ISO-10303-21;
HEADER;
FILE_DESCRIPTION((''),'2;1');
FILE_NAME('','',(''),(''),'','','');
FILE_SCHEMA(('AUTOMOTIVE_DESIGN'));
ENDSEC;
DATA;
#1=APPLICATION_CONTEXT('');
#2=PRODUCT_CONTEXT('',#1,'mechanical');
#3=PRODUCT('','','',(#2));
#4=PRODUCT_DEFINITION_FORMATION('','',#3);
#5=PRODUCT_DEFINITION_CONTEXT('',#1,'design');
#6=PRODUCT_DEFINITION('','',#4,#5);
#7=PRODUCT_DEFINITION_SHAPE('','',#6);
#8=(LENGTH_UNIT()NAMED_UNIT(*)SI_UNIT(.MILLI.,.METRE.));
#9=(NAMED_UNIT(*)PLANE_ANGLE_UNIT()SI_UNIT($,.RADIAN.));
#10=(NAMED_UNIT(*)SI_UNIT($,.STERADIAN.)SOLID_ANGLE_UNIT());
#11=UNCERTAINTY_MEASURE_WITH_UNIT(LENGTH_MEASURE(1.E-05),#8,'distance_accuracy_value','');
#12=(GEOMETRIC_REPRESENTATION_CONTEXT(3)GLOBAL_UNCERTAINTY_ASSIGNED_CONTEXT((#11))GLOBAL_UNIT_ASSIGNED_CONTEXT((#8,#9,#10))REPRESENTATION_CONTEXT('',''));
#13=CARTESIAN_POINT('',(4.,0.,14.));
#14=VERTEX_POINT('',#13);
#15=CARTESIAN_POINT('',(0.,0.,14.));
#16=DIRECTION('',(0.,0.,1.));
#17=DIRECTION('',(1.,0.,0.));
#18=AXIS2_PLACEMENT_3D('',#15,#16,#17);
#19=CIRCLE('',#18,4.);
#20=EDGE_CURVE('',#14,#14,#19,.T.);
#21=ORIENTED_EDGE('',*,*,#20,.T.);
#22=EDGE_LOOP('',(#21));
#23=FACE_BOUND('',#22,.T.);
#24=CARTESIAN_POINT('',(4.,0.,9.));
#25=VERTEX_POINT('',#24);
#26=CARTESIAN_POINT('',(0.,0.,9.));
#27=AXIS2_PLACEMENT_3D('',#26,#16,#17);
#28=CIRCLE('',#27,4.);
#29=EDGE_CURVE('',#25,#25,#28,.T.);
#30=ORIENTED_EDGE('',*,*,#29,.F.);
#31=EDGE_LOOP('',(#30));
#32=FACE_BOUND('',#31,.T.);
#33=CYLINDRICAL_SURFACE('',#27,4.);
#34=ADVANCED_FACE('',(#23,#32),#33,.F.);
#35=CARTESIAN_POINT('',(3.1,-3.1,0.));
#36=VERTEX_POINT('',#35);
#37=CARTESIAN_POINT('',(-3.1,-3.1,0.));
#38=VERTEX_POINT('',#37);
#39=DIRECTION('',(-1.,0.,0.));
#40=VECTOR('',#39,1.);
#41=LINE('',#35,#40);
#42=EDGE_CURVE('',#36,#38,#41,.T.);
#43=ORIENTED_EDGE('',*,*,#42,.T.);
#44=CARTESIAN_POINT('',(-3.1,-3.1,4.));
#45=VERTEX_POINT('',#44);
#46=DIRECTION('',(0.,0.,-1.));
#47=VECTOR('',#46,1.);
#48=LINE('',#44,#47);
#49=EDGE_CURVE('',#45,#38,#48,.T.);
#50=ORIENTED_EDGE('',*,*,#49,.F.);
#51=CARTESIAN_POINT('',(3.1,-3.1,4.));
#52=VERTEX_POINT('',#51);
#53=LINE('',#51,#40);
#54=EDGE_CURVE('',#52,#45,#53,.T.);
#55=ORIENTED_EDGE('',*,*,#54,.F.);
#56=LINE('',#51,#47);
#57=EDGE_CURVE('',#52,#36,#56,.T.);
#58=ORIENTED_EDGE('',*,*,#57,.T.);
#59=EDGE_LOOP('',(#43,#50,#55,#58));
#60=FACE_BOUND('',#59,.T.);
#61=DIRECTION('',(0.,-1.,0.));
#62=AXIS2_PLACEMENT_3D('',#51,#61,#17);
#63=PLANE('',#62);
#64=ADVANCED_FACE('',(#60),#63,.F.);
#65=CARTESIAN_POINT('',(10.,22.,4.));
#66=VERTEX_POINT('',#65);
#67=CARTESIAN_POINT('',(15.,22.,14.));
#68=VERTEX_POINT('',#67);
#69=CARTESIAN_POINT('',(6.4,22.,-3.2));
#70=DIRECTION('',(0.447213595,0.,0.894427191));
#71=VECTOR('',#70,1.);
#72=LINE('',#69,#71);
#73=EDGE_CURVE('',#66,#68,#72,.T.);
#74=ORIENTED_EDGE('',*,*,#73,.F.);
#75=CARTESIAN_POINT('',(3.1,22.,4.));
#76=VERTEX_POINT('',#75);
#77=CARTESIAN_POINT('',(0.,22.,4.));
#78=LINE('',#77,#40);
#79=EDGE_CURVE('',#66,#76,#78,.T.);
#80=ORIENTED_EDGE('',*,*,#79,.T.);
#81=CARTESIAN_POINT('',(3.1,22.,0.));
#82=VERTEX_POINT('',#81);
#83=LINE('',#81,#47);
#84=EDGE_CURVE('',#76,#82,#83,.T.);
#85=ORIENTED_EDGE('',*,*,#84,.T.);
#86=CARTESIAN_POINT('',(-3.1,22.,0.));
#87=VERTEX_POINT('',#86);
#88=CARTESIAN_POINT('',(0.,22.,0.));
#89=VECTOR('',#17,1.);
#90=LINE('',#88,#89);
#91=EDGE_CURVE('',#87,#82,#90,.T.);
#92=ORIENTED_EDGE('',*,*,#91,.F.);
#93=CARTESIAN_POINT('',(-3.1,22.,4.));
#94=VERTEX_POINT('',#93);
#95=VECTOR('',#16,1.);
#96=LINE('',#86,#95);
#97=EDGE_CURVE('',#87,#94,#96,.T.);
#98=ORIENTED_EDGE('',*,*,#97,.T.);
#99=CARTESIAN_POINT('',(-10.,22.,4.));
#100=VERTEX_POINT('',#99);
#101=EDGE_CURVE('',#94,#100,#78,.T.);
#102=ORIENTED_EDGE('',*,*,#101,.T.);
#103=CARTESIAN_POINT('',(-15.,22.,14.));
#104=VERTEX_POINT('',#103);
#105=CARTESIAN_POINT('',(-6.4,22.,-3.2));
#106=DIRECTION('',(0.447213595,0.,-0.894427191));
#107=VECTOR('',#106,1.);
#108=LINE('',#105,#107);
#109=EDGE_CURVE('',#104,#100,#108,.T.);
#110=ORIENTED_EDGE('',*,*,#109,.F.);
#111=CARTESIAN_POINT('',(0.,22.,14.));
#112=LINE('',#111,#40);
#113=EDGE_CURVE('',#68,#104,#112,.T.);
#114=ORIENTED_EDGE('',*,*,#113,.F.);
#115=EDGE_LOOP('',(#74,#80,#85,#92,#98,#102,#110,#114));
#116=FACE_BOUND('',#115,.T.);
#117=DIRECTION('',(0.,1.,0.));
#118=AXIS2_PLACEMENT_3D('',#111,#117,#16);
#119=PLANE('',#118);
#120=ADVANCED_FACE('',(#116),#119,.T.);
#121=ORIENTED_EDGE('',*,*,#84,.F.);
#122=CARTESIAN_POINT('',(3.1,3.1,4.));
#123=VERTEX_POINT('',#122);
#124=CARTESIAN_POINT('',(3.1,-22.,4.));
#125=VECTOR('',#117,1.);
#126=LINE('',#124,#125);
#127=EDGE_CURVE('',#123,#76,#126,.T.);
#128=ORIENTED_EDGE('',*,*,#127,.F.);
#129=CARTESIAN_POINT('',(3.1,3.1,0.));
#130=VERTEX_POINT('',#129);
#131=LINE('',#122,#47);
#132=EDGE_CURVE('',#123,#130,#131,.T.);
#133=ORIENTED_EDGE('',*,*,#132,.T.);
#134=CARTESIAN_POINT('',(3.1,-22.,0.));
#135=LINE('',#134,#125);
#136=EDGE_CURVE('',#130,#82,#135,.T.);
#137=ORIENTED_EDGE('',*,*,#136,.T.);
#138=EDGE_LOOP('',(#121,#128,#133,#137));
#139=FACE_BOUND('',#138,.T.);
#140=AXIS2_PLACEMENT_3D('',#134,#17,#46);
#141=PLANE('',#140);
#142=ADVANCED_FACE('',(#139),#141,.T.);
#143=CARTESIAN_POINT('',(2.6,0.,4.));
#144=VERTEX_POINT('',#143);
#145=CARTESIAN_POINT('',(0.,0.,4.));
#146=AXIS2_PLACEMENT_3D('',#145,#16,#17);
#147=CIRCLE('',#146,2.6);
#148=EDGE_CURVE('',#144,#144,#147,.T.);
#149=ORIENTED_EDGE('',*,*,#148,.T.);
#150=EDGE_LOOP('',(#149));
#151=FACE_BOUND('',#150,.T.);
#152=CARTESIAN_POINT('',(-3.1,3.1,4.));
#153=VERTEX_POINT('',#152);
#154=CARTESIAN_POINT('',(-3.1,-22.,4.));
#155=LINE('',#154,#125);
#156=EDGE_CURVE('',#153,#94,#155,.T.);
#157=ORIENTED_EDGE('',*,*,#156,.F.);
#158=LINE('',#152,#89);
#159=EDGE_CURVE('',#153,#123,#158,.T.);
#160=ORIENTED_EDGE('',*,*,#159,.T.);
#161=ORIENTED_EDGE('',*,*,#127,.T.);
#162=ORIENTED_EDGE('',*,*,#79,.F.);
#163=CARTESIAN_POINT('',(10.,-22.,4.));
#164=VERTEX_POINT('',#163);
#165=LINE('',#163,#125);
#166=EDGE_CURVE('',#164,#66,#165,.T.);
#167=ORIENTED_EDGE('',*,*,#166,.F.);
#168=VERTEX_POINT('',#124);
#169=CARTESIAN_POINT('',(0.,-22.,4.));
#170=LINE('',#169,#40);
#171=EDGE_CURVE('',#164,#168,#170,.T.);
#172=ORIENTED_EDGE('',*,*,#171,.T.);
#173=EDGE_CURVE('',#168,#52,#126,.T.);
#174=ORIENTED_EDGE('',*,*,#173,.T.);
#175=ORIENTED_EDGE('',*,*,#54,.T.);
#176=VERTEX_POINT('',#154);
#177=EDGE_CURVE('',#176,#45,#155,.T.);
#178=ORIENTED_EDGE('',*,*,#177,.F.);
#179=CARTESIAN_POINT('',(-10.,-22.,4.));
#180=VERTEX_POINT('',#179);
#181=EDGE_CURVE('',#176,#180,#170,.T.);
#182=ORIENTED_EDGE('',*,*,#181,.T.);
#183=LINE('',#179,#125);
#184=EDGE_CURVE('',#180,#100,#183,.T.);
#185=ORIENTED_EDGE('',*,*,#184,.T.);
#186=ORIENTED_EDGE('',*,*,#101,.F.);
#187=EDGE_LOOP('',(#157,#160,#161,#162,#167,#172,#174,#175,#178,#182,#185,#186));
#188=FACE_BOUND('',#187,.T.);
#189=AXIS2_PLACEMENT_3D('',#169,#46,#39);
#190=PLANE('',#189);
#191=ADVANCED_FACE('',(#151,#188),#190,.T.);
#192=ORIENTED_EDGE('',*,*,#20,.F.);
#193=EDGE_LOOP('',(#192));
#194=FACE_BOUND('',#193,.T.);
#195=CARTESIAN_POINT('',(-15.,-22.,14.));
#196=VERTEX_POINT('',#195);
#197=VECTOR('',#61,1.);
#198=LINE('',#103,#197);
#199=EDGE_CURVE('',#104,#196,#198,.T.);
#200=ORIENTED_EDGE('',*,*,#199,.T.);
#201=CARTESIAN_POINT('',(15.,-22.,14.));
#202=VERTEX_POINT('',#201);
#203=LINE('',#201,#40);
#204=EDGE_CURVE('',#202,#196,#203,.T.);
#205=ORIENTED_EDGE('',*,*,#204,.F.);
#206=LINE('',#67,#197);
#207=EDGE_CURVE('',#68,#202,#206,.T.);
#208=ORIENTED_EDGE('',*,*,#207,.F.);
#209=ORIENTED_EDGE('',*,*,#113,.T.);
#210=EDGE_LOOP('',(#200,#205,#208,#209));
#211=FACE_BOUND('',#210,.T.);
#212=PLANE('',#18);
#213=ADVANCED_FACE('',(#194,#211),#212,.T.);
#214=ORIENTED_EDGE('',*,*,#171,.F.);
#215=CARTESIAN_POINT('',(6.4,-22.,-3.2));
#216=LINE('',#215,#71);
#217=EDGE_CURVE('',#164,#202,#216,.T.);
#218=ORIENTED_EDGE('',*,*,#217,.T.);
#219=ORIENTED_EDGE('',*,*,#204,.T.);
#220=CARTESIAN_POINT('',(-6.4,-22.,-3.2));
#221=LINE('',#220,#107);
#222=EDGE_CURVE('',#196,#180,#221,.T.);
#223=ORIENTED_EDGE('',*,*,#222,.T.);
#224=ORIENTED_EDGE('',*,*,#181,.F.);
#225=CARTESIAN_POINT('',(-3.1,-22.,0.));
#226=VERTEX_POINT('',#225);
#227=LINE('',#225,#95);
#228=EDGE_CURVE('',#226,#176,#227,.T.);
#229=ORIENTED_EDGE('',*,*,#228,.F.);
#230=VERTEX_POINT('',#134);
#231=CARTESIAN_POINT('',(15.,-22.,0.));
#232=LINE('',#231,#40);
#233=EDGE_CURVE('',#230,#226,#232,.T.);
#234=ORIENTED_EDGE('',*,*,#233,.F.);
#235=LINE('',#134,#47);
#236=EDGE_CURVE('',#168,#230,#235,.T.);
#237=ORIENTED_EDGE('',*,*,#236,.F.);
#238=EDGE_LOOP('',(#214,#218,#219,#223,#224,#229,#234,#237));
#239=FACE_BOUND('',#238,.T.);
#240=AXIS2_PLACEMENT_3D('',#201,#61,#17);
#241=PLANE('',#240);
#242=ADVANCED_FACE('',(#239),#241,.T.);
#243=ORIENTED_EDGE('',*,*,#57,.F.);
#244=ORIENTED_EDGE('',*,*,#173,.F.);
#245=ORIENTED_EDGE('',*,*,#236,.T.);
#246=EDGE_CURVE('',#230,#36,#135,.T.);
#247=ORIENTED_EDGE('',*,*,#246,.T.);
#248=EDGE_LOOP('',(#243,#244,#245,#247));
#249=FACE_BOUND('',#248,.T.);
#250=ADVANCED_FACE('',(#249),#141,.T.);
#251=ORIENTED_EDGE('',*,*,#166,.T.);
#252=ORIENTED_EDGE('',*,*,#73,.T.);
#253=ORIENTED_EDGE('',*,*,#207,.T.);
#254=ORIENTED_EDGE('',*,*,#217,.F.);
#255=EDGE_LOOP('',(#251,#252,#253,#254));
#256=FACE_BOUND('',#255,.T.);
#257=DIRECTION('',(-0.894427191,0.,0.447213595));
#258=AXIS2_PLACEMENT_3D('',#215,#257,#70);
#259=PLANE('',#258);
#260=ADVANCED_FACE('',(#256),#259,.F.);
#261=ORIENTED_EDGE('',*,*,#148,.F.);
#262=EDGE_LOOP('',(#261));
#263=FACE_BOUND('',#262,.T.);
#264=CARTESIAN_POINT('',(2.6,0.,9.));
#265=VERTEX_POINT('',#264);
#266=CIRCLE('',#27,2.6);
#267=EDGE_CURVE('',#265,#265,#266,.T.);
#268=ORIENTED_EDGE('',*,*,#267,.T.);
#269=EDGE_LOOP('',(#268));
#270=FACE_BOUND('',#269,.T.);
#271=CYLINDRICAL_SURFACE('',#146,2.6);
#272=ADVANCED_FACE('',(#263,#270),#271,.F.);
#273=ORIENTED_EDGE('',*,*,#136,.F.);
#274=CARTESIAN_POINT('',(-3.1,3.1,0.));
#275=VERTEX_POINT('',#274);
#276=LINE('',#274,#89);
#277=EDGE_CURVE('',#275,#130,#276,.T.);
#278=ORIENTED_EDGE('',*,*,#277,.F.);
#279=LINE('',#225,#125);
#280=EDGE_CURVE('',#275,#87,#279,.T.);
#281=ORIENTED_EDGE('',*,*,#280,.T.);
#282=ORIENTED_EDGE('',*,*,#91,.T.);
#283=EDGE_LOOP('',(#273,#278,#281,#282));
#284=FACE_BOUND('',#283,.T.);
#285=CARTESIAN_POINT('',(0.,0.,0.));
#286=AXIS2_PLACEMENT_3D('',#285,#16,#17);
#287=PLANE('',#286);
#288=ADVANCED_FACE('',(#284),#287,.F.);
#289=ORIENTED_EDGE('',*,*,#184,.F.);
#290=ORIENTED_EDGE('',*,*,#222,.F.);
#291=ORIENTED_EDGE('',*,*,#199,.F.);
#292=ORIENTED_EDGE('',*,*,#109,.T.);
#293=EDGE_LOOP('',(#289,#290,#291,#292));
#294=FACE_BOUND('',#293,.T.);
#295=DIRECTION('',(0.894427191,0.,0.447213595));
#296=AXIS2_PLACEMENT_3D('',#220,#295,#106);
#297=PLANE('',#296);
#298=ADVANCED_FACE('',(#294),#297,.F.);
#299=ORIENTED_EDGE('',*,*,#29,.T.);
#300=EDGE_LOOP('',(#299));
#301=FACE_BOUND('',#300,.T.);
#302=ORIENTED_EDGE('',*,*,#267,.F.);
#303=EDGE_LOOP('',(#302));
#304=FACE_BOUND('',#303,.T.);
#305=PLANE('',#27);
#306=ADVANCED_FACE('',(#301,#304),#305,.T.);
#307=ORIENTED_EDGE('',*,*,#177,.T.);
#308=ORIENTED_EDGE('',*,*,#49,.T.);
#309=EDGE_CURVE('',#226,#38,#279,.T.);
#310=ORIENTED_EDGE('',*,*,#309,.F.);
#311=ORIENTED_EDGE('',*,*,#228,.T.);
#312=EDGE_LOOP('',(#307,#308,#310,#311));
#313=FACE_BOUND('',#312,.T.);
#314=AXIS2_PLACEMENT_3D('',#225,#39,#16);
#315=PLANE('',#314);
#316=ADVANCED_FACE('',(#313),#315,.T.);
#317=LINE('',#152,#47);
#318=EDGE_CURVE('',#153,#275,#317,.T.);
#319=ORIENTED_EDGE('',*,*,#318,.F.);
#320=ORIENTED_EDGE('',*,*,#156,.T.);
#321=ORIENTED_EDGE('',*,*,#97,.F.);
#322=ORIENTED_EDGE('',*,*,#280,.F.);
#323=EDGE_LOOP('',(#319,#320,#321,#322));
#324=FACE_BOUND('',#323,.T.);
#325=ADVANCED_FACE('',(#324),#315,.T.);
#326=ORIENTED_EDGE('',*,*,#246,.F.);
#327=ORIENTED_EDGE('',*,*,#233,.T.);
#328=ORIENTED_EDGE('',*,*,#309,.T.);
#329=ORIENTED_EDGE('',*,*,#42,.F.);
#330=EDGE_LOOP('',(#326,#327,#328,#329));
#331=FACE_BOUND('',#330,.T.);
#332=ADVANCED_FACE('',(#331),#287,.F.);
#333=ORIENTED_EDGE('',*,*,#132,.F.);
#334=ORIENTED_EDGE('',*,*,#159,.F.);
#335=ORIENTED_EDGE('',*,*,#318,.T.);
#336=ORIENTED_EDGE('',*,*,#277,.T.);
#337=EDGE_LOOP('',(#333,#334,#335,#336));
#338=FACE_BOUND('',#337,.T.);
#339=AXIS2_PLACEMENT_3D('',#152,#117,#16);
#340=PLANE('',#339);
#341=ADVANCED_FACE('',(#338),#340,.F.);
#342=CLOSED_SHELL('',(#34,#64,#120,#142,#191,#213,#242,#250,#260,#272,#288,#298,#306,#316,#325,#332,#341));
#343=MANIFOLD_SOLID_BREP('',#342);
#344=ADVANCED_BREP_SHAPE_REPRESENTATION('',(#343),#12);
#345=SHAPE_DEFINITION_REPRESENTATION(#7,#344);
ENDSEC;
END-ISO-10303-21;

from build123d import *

# Parameters (mm, degrees)
EXTRUDE_1_DEPTH     = 14
CUT_EXTRUDE_1_DEPTH = 44
SKETCH_3_W          = 6.2
SKETCH_3_H          = 6.2
CUT_EXTRUDE_2_DEPTH = 4
SKETCH_4_R          = 4
CUT_EXTRUDE_3_DEPTH = 5
SKETCH_5_R          = 2.6
CUT_EXTRUDE_4_DEPTH = 5


with BuildPart() as part:
    # 草图1 → 凸台-拉伸1 (new body)
    with BuildSketch(Plane.XY):
        Polygon((-15, 22), (-15, -22), (15, -22), (15, 22), (0, 22), align=None)
    extrude(amount=EXTRUDE_1_DEPTH)

    # 草图2 → 切除-拉伸1 (cut)
    with BuildSketch(Plane(origin=(0, 22, 0), x_dir=(1, 0, 0), z_dir=(0, 1, 0))):
        Polygon((-15, 0), (-15, -14), (-10, -4), (-3.1, -4), (-3.1, 0), align=None)
        Polygon((3.1, -4), (10, -4), (15, -14), (15, 0), (3.1, 0), align=None)
    extrude(amount=-CUT_EXTRUDE_1_DEPTH, mode=Mode.SUBTRACT)

    # 草图3 → 切除-拉伸2 (cut)
    with BuildSketch(Plane(origin=(0, 0, 0), x_dir=(-1, 0, 0), z_dir=(0, 0, -1))):
        Rectangle(SKETCH_3_W, SKETCH_3_H)
    extrude(amount=-CUT_EXTRUDE_2_DEPTH, mode=Mode.SUBTRACT)

    # 草图4 → 切除-拉伸3 (cut)
    with BuildSketch(Plane.XY.offset(14)):
        Circle(SKETCH_4_R)
    extrude(amount=-CUT_EXTRUDE_3_DEPTH, mode=Mode.SUBTRACT)

    # 草图5 → 切除-拉伸4 (cut)
    with BuildSketch(Plane.XY.offset(9)):
        Circle(SKETCH_5_R)
    extrude(amount=-CUT_EXTRUDE_4_DEPTH, mode=Mode.SUBTRACT)


solid = part.part
